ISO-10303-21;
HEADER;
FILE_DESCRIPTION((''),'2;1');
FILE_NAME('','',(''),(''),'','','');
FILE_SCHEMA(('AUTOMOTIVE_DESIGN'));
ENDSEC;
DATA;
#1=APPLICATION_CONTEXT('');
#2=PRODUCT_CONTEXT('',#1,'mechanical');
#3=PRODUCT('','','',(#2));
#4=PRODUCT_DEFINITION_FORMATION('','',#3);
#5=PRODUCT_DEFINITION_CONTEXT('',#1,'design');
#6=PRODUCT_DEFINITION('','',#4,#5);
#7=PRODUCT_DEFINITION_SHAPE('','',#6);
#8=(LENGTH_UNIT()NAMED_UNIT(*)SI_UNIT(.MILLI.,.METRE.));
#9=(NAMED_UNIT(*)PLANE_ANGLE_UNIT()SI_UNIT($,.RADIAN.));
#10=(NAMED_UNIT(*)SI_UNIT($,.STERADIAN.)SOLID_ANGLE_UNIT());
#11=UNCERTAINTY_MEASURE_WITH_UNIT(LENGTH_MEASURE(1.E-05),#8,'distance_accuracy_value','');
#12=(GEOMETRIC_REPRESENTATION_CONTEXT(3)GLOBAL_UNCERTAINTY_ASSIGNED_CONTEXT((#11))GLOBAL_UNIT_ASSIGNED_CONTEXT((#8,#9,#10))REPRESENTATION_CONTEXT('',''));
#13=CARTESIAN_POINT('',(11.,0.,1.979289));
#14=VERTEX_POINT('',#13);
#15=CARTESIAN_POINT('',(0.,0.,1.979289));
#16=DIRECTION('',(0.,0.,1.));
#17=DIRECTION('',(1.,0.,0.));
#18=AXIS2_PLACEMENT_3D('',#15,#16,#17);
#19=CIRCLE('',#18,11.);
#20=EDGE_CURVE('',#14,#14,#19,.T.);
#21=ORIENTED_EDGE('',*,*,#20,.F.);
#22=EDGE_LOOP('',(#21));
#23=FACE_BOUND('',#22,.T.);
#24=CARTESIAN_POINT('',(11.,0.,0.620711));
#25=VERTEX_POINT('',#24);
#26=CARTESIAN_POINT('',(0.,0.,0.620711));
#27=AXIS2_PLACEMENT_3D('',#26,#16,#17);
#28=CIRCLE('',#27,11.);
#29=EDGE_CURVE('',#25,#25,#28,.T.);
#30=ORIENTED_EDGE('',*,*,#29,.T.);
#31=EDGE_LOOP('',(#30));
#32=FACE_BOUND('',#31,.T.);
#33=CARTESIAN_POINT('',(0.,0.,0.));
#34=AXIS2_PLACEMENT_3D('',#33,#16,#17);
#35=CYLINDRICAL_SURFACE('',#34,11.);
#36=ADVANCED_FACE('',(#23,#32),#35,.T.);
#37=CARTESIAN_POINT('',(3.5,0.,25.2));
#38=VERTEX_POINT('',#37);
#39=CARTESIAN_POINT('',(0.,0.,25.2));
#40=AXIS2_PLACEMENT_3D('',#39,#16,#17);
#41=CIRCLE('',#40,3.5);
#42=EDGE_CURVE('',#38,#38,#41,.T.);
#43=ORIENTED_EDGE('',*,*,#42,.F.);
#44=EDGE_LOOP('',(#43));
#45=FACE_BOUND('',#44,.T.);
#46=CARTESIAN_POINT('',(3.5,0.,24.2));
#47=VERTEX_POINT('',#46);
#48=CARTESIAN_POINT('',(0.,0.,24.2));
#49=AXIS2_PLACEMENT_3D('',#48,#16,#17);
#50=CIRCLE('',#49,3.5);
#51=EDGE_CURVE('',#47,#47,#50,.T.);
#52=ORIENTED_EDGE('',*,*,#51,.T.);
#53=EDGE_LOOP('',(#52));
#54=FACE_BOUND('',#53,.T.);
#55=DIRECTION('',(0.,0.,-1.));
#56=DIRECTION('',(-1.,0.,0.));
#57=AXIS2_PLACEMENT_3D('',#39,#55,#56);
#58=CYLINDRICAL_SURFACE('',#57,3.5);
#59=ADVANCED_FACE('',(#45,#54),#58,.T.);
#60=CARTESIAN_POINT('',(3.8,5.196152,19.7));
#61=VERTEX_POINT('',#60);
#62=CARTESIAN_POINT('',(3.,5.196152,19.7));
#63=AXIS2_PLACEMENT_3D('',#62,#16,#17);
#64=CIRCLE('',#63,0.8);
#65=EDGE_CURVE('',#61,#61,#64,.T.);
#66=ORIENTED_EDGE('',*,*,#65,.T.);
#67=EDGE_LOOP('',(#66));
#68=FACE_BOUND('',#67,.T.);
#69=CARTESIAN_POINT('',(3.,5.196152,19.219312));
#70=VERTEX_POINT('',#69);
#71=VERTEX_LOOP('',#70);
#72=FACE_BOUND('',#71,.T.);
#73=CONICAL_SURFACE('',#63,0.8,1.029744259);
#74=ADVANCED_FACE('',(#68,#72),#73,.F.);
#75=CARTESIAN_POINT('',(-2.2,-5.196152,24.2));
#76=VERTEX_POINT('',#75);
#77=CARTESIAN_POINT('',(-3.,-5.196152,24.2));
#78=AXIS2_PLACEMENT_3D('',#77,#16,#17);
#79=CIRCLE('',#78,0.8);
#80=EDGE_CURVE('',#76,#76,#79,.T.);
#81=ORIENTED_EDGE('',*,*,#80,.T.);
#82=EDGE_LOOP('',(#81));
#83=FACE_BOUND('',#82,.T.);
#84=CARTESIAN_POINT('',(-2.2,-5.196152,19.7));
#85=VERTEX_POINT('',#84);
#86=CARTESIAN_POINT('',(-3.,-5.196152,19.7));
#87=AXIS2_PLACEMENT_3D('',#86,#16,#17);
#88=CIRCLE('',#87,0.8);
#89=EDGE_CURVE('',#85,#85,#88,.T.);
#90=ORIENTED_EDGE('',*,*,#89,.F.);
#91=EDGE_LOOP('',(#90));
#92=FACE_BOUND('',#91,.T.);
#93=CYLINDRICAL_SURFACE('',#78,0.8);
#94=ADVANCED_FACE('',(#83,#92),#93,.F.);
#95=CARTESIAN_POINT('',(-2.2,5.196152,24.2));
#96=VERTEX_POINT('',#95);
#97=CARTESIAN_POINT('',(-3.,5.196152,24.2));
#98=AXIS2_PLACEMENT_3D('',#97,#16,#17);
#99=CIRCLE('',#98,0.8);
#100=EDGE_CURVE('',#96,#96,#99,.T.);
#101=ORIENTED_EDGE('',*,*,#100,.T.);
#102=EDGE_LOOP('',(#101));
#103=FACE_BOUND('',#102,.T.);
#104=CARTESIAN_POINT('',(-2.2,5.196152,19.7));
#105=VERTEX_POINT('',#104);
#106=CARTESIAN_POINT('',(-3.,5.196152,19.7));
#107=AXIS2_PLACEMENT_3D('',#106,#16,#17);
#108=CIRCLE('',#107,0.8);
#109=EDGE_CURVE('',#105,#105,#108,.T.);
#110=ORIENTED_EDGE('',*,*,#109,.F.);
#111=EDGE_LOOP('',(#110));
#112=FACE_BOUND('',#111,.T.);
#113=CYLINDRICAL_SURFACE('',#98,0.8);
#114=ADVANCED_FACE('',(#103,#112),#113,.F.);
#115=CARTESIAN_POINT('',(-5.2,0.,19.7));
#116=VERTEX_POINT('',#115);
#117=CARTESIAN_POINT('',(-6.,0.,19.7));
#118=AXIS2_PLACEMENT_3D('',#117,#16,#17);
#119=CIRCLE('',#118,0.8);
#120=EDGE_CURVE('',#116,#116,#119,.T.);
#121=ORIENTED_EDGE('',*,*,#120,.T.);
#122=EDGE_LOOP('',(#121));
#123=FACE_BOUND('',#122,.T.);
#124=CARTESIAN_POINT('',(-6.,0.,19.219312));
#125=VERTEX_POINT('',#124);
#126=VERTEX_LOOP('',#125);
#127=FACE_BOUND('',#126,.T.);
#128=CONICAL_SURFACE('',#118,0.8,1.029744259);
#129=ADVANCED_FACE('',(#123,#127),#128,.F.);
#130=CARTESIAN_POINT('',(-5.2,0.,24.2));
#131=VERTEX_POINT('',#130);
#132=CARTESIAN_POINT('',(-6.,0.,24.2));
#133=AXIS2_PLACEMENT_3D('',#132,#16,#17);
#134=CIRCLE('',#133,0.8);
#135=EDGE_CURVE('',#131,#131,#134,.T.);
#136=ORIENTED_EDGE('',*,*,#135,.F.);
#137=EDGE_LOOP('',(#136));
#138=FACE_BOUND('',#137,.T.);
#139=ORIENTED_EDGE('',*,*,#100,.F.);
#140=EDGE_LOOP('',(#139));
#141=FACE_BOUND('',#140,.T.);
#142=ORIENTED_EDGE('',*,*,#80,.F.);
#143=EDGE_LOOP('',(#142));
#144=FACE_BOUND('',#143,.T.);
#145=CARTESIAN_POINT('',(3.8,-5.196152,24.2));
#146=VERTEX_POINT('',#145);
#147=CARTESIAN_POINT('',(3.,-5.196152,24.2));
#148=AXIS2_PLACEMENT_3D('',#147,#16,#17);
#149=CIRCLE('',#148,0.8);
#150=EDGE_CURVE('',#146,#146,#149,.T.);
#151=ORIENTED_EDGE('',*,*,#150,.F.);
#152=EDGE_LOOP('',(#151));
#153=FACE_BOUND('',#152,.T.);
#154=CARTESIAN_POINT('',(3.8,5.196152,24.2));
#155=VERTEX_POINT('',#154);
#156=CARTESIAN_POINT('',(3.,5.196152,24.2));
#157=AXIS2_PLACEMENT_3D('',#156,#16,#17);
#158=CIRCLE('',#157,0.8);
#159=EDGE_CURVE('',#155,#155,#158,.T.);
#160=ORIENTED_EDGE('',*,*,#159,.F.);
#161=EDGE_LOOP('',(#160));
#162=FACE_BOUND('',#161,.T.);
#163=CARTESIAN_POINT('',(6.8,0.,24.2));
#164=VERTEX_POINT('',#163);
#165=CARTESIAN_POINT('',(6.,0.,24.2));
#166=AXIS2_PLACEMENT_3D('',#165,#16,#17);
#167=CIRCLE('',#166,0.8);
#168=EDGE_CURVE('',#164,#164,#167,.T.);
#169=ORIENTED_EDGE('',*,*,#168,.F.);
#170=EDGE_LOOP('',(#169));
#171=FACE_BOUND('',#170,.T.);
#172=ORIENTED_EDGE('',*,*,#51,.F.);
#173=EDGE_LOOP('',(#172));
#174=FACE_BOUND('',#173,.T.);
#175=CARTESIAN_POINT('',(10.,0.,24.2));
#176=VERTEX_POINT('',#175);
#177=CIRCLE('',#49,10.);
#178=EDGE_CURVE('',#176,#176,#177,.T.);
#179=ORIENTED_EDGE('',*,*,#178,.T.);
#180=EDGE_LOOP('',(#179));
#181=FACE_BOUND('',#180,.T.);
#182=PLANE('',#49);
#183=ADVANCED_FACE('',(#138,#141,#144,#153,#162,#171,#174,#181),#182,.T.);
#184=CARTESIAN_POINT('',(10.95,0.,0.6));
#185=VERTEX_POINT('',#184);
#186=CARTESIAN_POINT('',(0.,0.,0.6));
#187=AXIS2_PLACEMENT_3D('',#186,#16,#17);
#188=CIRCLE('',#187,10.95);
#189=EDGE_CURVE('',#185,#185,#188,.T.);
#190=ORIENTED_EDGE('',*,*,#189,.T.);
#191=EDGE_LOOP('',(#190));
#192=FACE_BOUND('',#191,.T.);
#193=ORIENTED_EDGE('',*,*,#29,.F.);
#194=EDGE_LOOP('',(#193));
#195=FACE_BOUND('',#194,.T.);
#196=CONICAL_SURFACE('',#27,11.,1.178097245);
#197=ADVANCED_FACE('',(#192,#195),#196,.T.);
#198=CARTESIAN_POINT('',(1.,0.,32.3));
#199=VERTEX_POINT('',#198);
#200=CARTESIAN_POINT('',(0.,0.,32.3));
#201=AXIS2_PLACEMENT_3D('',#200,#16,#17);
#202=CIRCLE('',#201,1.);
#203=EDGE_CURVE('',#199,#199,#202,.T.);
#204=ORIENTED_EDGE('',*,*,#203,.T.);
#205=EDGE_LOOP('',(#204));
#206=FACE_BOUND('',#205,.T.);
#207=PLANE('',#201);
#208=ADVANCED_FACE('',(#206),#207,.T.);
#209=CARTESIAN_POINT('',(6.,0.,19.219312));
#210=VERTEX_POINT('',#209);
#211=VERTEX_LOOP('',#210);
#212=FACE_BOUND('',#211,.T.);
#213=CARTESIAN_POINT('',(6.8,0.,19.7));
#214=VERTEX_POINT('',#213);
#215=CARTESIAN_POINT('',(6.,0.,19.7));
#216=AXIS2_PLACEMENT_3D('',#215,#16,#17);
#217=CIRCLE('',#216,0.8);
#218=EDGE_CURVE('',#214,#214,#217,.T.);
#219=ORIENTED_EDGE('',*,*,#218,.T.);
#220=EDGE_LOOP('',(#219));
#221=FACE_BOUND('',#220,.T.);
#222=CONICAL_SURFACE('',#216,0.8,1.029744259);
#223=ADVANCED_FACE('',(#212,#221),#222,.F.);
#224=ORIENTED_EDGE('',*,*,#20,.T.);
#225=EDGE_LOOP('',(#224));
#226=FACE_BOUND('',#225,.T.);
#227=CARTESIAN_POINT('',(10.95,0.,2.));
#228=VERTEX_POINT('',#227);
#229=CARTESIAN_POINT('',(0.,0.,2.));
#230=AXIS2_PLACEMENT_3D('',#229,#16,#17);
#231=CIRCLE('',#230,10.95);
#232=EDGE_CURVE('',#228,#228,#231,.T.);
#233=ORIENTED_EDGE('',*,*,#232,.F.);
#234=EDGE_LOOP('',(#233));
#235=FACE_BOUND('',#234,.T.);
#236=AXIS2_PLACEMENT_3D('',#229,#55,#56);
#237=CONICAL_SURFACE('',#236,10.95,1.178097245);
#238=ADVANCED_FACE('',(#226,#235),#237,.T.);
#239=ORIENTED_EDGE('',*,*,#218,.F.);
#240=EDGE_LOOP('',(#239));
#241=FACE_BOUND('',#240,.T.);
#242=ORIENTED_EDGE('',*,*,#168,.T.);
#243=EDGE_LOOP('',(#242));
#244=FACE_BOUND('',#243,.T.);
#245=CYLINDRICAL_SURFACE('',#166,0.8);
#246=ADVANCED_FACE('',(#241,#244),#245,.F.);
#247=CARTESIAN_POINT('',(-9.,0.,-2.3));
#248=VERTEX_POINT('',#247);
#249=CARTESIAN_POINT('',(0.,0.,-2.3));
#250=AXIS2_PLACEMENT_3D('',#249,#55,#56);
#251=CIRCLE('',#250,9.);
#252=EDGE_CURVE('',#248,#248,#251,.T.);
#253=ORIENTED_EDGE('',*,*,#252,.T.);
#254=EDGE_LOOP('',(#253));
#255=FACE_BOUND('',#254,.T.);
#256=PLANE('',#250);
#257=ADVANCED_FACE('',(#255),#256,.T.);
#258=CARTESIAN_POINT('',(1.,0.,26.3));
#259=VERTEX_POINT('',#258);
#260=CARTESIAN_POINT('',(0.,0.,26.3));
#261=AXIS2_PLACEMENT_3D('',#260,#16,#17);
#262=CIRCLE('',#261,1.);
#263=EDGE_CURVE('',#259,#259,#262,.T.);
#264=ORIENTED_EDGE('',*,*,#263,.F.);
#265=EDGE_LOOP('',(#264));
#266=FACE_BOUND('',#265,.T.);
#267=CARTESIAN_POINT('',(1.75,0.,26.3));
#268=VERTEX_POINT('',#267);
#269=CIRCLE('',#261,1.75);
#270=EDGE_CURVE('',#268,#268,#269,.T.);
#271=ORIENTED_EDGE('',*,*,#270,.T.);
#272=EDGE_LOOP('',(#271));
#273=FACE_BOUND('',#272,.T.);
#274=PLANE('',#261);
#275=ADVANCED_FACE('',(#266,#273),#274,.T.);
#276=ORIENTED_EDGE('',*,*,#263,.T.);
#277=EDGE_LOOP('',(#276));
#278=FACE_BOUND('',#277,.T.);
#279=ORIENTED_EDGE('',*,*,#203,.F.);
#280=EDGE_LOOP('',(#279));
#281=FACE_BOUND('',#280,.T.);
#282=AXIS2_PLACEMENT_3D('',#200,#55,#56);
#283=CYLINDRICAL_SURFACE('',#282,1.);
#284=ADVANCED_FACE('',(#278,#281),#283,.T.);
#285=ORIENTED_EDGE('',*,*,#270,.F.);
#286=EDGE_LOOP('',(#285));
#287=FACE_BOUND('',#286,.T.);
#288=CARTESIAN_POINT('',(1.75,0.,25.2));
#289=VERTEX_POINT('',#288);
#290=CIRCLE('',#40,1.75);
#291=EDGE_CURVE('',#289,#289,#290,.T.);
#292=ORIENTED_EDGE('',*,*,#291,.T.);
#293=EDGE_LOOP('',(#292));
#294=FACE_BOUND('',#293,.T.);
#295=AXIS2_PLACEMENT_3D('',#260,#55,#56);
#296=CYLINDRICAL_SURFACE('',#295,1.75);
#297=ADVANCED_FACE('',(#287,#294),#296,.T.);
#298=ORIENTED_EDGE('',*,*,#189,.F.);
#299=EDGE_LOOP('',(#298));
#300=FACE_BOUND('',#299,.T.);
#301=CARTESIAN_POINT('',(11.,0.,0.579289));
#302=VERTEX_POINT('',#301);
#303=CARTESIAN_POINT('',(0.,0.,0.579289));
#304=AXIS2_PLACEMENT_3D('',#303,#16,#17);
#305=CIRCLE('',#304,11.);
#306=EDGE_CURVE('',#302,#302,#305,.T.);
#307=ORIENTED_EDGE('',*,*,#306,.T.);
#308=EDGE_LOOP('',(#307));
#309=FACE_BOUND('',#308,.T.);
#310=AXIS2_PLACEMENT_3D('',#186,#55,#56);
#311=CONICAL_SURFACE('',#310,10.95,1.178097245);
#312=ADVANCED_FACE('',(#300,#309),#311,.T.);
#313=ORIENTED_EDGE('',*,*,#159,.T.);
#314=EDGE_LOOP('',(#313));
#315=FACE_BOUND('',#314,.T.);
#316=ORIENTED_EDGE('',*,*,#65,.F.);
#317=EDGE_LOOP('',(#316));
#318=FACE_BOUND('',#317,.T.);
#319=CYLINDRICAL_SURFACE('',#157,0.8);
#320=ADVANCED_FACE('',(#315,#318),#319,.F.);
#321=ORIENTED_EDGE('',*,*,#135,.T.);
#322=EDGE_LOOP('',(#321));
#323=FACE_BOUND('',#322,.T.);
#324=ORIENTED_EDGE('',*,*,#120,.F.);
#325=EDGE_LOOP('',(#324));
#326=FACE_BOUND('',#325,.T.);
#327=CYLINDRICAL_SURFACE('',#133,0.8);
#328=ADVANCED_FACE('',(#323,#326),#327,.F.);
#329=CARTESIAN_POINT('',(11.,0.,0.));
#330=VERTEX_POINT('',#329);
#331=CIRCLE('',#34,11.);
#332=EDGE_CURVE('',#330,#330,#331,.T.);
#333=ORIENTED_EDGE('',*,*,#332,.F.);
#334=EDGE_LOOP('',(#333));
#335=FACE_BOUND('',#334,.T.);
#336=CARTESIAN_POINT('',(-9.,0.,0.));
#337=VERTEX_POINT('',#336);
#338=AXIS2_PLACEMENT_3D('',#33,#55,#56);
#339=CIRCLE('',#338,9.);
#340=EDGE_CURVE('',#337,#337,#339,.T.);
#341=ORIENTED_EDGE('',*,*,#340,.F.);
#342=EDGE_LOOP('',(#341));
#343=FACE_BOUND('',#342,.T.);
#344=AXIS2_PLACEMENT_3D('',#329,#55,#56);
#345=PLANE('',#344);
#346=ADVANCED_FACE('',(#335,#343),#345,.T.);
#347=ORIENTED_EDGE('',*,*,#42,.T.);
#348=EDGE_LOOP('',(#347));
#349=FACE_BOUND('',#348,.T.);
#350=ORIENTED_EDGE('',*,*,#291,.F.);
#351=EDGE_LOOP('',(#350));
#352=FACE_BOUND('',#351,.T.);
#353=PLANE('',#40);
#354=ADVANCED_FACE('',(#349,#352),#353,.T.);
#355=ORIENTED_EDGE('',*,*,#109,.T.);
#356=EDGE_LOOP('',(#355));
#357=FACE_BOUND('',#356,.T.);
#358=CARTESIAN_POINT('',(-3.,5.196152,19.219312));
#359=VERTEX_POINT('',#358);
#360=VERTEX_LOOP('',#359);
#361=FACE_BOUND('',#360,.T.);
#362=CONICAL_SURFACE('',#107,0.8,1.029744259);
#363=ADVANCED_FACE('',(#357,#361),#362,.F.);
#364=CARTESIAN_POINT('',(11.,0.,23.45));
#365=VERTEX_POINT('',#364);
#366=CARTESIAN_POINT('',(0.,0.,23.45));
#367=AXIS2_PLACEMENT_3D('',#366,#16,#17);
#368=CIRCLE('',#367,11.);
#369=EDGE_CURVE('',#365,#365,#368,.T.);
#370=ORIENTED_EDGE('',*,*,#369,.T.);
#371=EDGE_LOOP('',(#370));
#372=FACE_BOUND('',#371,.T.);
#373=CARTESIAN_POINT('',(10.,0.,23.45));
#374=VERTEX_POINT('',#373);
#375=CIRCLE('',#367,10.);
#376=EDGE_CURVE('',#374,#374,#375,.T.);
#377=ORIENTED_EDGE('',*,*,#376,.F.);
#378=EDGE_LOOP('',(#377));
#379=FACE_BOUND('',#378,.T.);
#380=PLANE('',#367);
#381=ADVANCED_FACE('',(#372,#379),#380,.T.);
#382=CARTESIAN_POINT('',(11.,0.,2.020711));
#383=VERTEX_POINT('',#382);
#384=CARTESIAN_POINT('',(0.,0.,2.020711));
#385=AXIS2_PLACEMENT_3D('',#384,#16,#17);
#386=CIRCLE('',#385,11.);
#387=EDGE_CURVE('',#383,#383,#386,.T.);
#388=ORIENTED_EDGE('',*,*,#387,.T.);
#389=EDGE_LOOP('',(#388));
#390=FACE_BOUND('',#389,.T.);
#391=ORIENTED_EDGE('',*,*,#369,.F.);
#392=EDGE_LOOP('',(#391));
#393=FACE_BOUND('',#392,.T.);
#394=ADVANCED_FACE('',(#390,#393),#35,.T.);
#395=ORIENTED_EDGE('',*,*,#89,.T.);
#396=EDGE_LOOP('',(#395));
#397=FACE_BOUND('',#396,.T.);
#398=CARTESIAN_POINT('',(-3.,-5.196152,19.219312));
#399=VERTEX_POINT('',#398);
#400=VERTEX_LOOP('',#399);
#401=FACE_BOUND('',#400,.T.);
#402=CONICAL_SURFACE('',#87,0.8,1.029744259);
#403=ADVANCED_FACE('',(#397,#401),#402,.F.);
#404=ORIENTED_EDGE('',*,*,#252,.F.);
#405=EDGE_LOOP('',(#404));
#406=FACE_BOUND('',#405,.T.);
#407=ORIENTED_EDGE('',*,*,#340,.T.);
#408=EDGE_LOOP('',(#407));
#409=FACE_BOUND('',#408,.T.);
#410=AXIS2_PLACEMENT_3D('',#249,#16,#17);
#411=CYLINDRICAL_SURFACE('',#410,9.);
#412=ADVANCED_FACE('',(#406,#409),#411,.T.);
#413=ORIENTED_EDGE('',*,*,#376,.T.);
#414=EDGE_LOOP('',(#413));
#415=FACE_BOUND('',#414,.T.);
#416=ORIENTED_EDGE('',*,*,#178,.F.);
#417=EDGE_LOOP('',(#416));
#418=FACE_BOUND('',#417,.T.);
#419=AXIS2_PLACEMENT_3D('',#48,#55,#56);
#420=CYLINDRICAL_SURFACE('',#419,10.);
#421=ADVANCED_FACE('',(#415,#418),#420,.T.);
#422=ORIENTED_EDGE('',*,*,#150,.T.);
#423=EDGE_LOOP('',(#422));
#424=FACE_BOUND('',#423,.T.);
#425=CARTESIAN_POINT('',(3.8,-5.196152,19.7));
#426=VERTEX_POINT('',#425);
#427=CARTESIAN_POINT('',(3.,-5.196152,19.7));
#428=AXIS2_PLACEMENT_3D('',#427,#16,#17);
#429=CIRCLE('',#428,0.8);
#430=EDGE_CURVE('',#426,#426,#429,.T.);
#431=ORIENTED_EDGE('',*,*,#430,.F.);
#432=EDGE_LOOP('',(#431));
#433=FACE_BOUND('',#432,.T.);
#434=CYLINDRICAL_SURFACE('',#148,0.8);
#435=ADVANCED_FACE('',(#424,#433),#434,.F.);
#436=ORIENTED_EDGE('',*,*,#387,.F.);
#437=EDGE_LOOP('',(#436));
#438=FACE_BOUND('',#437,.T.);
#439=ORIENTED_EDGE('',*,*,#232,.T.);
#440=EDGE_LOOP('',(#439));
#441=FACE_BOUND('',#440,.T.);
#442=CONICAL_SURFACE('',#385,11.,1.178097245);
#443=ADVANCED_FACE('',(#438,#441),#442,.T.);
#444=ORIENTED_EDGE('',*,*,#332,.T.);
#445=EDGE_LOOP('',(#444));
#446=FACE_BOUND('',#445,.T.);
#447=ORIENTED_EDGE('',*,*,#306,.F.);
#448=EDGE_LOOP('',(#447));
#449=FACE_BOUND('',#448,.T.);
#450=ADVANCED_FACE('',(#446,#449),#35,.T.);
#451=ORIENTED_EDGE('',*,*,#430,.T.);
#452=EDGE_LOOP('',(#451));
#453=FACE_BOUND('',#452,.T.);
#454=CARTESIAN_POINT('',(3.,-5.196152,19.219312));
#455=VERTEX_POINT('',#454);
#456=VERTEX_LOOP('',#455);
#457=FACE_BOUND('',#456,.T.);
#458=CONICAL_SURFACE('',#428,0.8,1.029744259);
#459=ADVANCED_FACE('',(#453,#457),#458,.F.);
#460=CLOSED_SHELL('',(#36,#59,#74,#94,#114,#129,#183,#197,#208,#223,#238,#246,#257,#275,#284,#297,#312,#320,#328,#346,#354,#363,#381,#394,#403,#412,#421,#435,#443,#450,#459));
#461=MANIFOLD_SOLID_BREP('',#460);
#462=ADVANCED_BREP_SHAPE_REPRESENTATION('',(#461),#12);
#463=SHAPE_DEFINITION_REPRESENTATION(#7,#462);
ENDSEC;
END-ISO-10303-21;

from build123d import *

# Parameters (mm, degrees)
BOSS_EXTRUDE3_DEPTH            = 1
SKETCH7_R                      = 10
BOSS_EXTRUDE4_DEPTH            = 0.75
SKETCH8_R                      = 3.5
BOSS_EXTRUDE5_DEPTH            = 1
SKETCH9_R                      = 1.75
BOSS_EXTRUDE6_DEPTH            = 1.1
SKETCH10_R                     = 1
BOSS_EXTRUDE7_DEPTH            = 6
F_1_6_1_6_DIAMETER_HOLE1_D     = 1.6
F_1_6_1_6_DIAMETER_HOLE1_DEPTH = 4.5
F_1_6_1_6_DIAMETER_HOLE1_TIP   = 0.480688495
SKETCH13_R                     = 9
BOSS_EXTRUDE8_DEPTH            = 2.3


with BuildPart() as part:
    # Sketch1 → Revolve1 (revolve)
    with BuildSketch(Plane(origin=(0, 0, 0), x_dir=(1, 0, 0), z_dir=(0, 1, 0))):
        Polygon((11, 0), (0, 0), (0, -23.45), (11, -23.45), (11, -2.020710678), (10.95, -2), (11, -1.979289322), (11, -0.620710678), (10.95, -0.6), (11, -0.579289322), align=None)
    revolve(axis=Axis((0, 0, 0), (0, 0, 1)))

    # Sketch6 → Boss-Extrude3 (add)
    with BuildSketch(Plane(origin=(0, 0, 0), x_dir=(-1, 0, 0), z_dir=(0, 0, -1))):
        with BuildLine():
            Line((5.05, 5.477225575), (5.05, -5.477225575))
            ThreePointArc((5.05, -5.477225575), (0, -7.45), (-5.05, -5.477225575))
            Line((-5.05, -5.477225575), (-5.05, 5.477225575))
            ThreePointArc((-5.05, 5.477225575), (0, 7.45), (5.05, 5.477225575))
        make_face()
    extrude(amount=BOSS_EXTRUDE3_DEPTH)

    # Sketch7 → Boss-Extrude4 (add)
    with BuildSketch(Plane.XY.offset(23.45)):
        Circle(SKETCH7_R)
    extrude(amount=BOSS_EXTRUDE4_DEPTH)

    # Sketch8 → Boss-Extrude5 (add)
    with BuildSketch(Plane.XY.offset(24.2)):
        Circle(SKETCH8_R)
    extrude(amount=BOSS_EXTRUDE5_DEPTH)

    # Sketch9 → Boss-Extrude6 (add)
    with BuildSketch(Plane.XY.offset(25.2)):
        Circle(SKETCH9_R)
    extrude(amount=BOSS_EXTRUDE6_DEPTH)

    # Sketch10 → Boss-Extrude7 (add)
    with BuildSketch(Plane.XY.offset(26.3)):
        Circle(SKETCH10_R)
    extrude(amount=BOSS_EXTRUDE7_DEPTH)

    # Ø1.6 (1.6) Diameter Hole1
    with Locations(Plane.XY.offset(24.2)):
        with Locations((-3, 5.196152423), (3, 5.196152423), (6, 0), (3, -5.196152423), (-3, -5.196152423), (-6, 0)):
            Hole(F_1_6_1_6_DIAMETER_HOLE1_D / 2, depth=F_1_6_1_6_DIAMETER_HOLE1_DEPTH)
            with Locations((0, 0, -(F_1_6_1_6_DIAMETER_HOLE1_DEPTH + F_1_6_1_6_DIAMETER_HOLE1_TIP / 2))):  # 118° drill point
                Cone(0, F_1_6_1_6_DIAMETER_HOLE1_D / 2, F_1_6_1_6_DIAMETER_HOLE1_TIP, mode=Mode.SUBTRACT)

    # Sketch13 → Boss-Extrude8 (add)
    with BuildSketch(Plane(origin=(0, 0, 0), x_dir=(-1, 0, 0), z_dir=(0, 0, -1))):
        Circle(SKETCH13_R)
    extrude(amount=BOSS_EXTRUDE8_DEPTH)


solid = part.part
